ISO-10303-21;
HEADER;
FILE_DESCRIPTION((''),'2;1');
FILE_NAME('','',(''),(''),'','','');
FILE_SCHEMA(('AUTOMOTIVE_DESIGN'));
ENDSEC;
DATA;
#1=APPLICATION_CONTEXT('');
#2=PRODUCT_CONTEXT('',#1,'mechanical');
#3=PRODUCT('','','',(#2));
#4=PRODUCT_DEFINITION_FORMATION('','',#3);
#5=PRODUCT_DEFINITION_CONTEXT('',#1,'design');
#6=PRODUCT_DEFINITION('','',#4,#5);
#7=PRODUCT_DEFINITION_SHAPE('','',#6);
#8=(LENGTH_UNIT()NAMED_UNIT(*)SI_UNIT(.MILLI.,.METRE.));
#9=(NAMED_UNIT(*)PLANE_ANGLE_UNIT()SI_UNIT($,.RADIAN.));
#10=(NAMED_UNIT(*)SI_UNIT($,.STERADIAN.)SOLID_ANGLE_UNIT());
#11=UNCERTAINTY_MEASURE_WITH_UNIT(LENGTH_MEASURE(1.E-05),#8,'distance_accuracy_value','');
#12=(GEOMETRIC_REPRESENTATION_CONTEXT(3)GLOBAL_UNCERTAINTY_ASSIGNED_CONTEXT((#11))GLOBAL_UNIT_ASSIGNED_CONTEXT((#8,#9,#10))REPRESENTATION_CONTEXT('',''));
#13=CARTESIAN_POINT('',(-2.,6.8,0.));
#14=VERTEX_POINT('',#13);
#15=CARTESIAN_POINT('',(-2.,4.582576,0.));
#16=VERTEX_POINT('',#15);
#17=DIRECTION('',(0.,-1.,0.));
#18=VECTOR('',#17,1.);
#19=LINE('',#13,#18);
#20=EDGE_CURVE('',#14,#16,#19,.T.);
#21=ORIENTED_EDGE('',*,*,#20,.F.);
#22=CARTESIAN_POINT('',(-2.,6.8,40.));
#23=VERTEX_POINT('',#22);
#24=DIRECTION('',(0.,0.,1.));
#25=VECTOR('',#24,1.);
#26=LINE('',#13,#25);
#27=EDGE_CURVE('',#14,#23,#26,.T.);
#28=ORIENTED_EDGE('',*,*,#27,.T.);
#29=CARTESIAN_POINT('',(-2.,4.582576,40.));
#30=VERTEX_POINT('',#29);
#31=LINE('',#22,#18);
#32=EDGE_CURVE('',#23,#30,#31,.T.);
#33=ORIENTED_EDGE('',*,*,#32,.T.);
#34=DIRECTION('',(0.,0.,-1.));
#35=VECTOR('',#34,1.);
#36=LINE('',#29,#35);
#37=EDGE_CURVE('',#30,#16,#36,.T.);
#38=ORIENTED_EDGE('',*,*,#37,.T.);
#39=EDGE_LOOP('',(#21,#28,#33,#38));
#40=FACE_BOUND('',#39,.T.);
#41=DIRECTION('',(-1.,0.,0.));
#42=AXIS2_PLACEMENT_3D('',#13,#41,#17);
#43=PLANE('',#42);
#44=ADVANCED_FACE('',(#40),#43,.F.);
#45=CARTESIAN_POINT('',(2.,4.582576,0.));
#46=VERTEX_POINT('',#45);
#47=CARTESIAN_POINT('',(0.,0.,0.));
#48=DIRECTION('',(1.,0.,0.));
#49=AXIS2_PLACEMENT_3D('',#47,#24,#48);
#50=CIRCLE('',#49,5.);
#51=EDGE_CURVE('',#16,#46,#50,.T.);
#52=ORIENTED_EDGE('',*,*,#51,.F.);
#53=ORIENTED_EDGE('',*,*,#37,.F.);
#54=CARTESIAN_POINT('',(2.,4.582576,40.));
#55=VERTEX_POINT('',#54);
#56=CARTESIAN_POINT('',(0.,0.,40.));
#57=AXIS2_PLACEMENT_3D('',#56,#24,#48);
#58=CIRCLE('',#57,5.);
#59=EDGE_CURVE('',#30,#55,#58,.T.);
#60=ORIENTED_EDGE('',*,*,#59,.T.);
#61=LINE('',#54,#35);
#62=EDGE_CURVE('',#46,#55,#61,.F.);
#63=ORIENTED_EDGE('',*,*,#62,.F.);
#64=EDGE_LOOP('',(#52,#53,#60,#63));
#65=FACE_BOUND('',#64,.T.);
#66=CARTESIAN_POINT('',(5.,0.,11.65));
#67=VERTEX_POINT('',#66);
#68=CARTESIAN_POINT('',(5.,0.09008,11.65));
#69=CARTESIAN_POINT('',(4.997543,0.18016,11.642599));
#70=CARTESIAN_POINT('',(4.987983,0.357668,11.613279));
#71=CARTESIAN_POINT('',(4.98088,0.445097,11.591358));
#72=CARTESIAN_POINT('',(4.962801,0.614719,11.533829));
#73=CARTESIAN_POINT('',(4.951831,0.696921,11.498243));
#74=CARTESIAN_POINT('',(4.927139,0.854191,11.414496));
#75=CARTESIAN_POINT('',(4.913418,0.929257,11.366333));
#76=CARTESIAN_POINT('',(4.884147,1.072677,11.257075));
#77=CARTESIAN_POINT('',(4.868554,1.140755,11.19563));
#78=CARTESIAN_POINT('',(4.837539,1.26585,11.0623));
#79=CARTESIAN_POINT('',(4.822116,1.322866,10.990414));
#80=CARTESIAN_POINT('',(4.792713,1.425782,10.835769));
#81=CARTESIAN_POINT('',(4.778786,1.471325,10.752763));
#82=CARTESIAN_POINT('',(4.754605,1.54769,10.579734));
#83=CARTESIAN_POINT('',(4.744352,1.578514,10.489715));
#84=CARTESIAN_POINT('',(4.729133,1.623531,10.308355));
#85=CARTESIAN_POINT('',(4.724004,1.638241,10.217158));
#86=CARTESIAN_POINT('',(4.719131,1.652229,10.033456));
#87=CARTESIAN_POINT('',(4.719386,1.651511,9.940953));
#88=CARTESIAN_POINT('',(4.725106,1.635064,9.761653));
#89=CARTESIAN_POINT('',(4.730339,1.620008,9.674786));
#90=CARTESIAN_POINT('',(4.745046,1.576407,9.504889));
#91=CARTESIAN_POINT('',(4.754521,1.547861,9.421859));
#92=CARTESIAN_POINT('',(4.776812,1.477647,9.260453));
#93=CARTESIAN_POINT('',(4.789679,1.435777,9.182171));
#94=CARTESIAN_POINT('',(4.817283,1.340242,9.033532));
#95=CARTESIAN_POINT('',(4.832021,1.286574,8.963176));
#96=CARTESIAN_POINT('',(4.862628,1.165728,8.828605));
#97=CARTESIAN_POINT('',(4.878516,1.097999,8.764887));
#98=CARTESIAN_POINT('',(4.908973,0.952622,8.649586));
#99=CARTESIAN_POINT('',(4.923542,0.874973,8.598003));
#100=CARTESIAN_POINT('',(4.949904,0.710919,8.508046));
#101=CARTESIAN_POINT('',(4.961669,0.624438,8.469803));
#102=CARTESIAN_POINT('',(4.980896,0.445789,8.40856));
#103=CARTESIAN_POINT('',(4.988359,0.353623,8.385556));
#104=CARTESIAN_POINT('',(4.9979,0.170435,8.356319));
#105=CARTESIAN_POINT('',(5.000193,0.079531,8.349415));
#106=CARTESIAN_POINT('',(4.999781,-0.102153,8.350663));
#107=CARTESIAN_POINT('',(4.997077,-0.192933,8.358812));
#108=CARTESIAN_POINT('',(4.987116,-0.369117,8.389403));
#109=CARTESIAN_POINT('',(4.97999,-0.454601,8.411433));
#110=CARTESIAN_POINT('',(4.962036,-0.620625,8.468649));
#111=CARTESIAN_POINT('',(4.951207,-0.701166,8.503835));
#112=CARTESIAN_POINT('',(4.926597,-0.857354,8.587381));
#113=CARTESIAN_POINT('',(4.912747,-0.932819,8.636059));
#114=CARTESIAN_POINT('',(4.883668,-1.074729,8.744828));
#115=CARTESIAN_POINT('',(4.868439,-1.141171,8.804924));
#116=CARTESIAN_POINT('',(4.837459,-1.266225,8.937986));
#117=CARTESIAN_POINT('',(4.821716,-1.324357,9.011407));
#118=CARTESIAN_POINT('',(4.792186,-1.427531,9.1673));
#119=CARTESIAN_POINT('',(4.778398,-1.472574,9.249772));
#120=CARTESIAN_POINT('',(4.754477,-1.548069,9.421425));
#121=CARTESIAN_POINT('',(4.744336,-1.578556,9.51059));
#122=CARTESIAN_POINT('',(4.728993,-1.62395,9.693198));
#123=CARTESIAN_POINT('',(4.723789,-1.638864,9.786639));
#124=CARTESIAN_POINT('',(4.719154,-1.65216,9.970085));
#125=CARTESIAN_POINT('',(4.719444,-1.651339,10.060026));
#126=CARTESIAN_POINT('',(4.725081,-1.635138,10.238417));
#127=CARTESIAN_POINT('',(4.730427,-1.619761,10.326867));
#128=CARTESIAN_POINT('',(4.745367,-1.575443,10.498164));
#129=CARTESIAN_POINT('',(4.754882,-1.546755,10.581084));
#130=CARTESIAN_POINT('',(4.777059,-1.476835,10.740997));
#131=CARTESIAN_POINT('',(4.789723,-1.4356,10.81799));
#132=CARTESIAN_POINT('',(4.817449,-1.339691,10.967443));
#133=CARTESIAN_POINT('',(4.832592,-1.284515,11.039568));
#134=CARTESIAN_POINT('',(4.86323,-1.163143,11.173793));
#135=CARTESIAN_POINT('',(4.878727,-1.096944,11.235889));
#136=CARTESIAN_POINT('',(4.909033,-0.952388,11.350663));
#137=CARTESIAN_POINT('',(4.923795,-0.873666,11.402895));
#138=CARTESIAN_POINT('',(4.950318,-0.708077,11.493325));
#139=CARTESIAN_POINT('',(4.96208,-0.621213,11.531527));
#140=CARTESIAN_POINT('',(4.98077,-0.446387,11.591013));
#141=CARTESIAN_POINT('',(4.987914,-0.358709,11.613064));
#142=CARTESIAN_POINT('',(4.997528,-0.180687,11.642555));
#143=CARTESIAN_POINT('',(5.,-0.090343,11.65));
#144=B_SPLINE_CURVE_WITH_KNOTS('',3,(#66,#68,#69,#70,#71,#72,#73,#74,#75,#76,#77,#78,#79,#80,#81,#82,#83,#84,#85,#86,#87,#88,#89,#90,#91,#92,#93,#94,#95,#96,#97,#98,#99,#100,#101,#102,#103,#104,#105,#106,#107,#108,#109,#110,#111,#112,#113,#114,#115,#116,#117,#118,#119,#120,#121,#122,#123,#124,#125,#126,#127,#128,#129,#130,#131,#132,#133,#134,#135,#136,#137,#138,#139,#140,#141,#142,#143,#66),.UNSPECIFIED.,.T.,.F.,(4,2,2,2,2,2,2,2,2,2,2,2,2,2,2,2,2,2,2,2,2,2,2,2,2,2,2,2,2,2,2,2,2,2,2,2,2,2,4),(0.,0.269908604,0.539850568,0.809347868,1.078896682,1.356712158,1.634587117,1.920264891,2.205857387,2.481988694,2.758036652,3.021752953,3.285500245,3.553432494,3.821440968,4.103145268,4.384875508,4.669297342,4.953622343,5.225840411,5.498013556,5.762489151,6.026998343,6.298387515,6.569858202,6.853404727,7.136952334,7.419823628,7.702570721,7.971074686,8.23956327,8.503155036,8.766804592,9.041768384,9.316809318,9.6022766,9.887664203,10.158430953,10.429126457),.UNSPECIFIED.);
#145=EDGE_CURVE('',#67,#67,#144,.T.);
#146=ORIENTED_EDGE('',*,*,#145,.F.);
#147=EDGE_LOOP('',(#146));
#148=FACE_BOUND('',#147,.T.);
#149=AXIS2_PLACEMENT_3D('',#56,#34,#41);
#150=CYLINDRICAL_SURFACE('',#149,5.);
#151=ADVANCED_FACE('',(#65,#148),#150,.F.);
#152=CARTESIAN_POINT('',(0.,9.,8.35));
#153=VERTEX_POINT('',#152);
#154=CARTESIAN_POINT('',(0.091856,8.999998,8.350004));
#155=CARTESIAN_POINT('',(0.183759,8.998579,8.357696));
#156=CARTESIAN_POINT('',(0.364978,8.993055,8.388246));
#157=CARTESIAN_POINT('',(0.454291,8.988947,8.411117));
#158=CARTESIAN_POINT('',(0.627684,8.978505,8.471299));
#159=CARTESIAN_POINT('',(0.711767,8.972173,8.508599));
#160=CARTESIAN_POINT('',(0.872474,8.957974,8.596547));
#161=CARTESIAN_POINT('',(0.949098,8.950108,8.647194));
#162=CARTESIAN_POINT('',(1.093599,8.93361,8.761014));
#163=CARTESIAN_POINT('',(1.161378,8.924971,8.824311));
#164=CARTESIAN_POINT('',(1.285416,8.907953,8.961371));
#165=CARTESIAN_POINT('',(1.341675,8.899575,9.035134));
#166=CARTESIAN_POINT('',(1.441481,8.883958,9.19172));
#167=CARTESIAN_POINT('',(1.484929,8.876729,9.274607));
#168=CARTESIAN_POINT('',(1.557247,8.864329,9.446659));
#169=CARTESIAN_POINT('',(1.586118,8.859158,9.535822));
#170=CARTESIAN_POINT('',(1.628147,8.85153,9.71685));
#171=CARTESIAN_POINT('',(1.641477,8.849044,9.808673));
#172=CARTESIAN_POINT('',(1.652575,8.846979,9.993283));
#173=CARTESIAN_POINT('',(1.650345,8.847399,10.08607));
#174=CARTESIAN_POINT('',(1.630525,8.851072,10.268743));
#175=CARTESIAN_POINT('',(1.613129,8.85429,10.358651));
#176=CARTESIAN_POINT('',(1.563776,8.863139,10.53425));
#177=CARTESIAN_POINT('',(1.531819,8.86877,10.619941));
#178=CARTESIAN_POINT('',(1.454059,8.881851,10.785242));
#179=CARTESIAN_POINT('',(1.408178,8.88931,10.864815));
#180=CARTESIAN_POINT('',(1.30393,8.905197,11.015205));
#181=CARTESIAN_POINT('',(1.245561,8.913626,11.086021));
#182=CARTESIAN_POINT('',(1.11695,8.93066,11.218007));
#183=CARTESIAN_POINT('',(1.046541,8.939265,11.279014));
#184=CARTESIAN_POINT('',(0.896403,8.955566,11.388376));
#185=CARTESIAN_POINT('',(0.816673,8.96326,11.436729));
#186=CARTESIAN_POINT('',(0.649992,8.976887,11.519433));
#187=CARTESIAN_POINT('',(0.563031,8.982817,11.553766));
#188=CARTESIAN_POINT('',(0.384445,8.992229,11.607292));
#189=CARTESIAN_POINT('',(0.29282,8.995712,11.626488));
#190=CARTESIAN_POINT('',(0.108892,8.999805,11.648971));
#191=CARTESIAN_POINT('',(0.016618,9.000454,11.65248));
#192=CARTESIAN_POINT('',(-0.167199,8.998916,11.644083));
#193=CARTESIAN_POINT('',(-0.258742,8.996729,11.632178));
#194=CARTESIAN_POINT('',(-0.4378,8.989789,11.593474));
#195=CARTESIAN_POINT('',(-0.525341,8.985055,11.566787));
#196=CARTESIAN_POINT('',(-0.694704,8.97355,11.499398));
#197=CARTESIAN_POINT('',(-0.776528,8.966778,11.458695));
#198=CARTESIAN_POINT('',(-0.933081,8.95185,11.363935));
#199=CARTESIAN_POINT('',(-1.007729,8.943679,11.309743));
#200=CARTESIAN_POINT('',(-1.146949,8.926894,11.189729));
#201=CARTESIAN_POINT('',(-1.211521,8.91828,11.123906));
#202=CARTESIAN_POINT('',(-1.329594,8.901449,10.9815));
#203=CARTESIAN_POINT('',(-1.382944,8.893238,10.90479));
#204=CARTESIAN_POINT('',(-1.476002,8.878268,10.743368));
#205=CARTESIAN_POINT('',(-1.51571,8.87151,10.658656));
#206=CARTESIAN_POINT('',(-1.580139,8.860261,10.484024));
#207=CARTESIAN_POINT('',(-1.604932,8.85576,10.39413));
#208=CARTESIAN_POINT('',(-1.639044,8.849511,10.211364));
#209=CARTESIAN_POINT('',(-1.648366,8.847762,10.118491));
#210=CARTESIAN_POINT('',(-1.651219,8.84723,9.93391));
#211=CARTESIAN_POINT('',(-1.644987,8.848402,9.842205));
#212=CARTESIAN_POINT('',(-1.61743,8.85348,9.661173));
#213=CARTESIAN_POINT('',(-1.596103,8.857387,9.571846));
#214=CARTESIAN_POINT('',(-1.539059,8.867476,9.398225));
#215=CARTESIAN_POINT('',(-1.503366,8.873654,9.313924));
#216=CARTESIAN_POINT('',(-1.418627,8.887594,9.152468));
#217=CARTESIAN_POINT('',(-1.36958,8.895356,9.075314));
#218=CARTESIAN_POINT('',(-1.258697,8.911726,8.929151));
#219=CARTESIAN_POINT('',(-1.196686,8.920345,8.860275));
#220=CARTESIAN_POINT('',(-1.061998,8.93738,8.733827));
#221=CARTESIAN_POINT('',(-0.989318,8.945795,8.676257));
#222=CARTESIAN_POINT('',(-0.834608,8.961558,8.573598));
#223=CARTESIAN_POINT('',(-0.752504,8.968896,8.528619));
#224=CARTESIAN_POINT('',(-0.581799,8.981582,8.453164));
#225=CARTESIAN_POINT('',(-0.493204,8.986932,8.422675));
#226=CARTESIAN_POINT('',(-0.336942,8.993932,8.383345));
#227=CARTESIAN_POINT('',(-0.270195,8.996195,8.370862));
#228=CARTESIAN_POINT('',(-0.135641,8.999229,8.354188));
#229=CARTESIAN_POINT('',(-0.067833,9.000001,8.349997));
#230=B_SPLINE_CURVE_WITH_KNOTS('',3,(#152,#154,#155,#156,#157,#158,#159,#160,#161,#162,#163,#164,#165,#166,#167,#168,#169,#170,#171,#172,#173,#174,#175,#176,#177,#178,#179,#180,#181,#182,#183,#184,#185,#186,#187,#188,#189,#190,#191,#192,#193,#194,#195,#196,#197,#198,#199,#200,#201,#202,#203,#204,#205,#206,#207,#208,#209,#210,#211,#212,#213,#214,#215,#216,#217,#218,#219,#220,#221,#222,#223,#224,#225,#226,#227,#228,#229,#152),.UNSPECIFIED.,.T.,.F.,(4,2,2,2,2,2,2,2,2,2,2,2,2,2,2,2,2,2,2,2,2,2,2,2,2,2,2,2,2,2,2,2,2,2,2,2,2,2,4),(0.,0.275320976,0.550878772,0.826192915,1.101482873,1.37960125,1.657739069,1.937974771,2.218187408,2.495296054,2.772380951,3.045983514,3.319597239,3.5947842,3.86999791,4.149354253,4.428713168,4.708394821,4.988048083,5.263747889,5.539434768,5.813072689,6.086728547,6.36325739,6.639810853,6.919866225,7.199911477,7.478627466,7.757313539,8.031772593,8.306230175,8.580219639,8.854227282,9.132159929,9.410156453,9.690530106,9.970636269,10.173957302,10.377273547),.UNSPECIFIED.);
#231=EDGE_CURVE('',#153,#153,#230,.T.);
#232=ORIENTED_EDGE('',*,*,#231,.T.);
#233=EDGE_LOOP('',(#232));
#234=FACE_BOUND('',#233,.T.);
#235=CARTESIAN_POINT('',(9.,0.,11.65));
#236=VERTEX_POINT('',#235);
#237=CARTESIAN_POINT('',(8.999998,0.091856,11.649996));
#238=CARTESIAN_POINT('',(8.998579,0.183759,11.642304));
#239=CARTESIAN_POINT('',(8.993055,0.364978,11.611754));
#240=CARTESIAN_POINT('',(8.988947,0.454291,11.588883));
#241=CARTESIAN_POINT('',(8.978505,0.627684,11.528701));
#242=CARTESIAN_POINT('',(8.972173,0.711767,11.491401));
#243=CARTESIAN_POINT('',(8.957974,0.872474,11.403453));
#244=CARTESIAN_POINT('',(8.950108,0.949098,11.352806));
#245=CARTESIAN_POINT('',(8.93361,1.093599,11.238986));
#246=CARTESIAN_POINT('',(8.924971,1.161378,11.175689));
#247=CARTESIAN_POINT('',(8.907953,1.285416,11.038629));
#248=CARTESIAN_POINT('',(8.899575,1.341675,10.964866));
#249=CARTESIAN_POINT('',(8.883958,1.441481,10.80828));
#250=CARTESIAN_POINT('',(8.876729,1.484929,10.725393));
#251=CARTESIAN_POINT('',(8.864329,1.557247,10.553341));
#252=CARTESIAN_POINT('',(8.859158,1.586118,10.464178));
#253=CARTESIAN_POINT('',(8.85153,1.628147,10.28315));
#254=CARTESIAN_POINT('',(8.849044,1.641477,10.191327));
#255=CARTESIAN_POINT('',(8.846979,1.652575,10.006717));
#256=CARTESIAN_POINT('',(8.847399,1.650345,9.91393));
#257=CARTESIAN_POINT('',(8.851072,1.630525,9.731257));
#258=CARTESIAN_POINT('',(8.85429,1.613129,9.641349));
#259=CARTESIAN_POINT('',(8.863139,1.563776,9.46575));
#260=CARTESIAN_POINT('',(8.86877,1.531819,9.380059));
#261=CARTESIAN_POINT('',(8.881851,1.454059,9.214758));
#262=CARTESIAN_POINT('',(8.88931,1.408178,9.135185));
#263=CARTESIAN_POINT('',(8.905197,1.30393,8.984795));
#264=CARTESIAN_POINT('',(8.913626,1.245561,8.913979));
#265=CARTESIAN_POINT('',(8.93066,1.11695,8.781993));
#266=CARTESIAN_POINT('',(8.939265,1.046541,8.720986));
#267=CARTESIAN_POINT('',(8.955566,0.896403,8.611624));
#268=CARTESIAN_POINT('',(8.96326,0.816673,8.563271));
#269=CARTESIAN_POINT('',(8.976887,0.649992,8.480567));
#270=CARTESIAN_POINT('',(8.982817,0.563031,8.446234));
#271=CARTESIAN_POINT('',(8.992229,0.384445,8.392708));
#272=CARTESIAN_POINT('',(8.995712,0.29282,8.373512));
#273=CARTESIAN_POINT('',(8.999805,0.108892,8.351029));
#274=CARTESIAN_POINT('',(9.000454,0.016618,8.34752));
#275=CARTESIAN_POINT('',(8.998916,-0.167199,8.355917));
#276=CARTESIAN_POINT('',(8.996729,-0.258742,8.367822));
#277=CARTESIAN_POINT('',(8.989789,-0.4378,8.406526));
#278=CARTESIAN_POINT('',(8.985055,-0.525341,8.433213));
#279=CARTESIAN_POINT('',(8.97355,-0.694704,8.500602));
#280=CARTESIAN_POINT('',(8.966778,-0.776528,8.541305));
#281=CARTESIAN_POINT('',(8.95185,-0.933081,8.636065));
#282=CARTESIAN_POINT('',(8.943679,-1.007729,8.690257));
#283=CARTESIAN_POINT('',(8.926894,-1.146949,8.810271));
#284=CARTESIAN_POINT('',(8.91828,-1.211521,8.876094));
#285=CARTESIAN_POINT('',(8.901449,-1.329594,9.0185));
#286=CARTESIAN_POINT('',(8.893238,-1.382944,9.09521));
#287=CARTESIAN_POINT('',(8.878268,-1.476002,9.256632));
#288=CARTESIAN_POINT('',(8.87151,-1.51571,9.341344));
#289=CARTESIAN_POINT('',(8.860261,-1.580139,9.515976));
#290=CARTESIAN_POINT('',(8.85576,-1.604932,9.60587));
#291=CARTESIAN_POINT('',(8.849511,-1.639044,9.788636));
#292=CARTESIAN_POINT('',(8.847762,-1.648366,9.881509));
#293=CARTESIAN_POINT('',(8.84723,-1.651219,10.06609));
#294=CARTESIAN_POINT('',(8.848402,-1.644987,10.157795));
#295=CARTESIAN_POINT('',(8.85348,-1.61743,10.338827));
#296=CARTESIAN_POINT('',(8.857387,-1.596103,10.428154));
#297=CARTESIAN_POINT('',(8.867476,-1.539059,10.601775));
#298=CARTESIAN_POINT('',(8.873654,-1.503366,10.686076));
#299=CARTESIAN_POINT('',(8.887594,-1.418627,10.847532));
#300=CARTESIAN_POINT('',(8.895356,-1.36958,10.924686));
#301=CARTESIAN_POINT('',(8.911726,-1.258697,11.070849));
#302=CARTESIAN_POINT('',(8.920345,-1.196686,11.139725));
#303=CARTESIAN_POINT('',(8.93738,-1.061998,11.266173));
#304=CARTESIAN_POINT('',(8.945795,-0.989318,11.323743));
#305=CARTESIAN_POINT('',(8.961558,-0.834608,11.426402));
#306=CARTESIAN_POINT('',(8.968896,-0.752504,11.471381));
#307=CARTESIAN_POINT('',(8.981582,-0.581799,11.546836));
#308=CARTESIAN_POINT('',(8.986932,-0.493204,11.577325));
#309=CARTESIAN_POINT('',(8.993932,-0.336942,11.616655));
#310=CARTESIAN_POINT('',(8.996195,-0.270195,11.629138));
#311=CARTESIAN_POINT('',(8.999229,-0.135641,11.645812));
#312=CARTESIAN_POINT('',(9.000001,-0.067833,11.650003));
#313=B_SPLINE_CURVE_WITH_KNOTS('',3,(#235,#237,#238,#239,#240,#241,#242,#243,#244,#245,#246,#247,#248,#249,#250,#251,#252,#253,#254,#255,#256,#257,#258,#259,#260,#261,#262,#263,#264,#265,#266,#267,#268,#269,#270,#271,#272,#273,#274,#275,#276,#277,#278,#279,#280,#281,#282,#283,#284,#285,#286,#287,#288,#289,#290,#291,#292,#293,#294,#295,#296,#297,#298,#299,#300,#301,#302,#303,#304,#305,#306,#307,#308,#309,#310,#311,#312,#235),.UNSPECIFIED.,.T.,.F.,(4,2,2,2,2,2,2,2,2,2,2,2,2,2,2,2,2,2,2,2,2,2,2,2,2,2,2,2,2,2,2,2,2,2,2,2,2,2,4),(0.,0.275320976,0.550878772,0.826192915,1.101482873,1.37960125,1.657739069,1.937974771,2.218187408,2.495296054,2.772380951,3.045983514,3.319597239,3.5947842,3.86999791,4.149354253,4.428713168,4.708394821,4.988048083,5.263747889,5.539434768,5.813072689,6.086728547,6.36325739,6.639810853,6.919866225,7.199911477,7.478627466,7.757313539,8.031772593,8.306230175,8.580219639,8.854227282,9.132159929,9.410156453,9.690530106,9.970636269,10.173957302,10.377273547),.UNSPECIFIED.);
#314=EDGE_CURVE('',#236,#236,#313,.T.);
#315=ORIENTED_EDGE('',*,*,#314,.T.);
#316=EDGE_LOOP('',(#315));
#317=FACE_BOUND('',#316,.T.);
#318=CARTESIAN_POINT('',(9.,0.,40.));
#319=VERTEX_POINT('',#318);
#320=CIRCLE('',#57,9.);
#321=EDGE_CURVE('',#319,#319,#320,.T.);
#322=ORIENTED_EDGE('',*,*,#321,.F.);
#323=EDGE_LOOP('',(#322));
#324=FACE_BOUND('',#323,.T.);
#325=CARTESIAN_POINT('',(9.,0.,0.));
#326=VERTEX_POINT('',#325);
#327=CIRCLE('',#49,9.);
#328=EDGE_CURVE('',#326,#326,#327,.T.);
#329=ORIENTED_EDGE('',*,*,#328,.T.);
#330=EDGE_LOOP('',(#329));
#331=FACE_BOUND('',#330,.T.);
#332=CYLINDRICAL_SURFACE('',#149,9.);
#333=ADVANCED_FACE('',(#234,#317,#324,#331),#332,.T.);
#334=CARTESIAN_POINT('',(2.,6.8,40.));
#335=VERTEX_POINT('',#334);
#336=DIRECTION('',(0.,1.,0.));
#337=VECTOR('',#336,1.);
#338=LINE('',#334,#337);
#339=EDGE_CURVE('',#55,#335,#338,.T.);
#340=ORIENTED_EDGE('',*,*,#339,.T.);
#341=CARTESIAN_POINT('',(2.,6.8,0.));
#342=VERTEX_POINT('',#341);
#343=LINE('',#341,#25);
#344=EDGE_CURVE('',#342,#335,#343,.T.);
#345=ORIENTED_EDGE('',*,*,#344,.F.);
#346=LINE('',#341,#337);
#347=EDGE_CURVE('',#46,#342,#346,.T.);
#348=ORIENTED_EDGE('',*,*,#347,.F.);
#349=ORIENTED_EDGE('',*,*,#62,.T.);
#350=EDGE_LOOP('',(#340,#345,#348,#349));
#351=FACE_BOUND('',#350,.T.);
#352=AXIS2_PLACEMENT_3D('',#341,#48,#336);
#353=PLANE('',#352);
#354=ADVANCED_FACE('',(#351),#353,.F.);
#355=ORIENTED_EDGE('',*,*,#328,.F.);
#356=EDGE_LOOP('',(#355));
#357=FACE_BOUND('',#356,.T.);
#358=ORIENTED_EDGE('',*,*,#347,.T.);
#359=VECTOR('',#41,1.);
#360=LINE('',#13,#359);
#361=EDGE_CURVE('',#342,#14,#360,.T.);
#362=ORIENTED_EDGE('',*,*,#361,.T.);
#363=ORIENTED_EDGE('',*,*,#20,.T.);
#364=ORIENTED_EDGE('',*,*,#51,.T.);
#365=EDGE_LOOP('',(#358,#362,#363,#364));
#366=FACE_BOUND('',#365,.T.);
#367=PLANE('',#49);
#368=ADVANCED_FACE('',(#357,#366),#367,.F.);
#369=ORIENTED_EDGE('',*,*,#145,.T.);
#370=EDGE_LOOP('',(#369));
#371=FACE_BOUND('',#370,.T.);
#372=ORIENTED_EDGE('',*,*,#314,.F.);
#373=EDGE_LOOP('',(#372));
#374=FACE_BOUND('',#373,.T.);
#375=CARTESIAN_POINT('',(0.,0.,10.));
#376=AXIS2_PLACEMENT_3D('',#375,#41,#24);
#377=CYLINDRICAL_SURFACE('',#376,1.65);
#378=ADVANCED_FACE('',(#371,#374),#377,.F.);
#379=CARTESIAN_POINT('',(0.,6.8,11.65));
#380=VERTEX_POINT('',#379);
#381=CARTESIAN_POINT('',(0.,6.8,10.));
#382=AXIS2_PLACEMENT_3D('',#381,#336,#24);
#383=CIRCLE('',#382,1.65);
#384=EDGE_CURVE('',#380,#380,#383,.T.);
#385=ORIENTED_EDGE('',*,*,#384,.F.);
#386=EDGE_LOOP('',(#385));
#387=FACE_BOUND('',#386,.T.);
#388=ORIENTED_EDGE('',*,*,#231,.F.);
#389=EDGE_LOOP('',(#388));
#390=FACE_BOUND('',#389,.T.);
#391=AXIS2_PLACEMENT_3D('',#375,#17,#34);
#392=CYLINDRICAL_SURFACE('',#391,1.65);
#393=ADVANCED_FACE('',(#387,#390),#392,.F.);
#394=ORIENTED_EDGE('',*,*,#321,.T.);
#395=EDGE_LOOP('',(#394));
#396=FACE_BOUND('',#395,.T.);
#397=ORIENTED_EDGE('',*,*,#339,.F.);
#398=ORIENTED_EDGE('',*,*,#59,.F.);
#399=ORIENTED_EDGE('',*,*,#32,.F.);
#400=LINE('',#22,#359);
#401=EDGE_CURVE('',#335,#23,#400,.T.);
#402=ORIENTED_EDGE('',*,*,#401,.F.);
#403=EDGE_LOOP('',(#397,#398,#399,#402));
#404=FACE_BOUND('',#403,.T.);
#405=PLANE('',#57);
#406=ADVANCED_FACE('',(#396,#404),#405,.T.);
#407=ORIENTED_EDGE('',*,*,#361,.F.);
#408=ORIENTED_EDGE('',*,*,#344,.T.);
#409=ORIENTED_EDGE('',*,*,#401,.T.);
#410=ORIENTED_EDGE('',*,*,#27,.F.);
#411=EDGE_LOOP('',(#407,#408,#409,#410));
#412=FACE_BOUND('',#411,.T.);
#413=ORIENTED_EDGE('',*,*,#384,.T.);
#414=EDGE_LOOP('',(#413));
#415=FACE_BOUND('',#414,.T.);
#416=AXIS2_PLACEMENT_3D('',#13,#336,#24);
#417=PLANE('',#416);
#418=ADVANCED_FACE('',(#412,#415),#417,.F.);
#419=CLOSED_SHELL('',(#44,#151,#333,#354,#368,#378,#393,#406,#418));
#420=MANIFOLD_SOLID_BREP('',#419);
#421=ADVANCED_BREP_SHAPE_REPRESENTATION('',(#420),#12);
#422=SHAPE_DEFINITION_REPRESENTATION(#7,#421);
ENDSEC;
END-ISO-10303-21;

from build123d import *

# Parameters (mm, degrees)
SKETCH_1_R               = 9
SKETCH_1_R_2             = 5
EXTRUDE_1_DEPTH          = 40
SKETCH_2_W               = 4
SKETCH_2_H               = 3.302981626
CUT_EXTRUDE_2_DEPTH      = 42.976183724
SKETCH_3_W               = 1.65
SKETCH_3_H               = 9
PATTERN_CIRCULAR_1_COUNT = 2
PATTERN_CIRCULAR_1_ANGLE = 90


with BuildPart() as part:
    # 草图1 → 拉伸1 (new body)
    with BuildSketch(Plane.XY):
        Circle(SKETCH_1_R)
        Circle(SKETCH_1_R_2, mode=Mode.SUBTRACT)
    extrude(amount=EXTRUDE_1_DEPTH)

    # 草图2 → 拉伸2 (cut, through all)
    with BuildSketch(Plane.XY.offset(40)):
        with Locations((0, 5.148509187)):
            Rectangle(SKETCH_2_W, SKETCH_2_H)
    extrude(amount=-CUT_EXTRUDE_2_DEPTH, mode=Mode.SUBTRACT)

    # 草图3 → M4 螺纹孔2 (revolve, cut)
    with BuildSketch(Plane(origin=(0, 0, 10), x_dir=(0, 0, -1), z_dir=(1, 0, 0))):
        with Locations((0.825, 4.5)):
            Rectangle(SKETCH_3_W, SKETCH_3_H)
    hole_wizard_m4_2 = revolve(axis=Axis((0, -6.35, 10), (0, 1, 0)), mode=Mode.SUBTRACT)

    # 阵列(圆周)1: M4 螺纹孔2 ×2 about axis
    pattern_circular_1_axis = Axis((0, 0, 40), (0, 0, -1))
    for i in range(1, PATTERN_CIRCULAR_1_COUNT):
        add(hole_wizard_m4_2.rotate(pattern_circular_1_axis, i * PATTERN_CIRCULAR_1_ANGLE / (PATTERN_CIRCULAR_1_COUNT - 1)), mode=Mode.SUBTRACT)


solid = part.part
